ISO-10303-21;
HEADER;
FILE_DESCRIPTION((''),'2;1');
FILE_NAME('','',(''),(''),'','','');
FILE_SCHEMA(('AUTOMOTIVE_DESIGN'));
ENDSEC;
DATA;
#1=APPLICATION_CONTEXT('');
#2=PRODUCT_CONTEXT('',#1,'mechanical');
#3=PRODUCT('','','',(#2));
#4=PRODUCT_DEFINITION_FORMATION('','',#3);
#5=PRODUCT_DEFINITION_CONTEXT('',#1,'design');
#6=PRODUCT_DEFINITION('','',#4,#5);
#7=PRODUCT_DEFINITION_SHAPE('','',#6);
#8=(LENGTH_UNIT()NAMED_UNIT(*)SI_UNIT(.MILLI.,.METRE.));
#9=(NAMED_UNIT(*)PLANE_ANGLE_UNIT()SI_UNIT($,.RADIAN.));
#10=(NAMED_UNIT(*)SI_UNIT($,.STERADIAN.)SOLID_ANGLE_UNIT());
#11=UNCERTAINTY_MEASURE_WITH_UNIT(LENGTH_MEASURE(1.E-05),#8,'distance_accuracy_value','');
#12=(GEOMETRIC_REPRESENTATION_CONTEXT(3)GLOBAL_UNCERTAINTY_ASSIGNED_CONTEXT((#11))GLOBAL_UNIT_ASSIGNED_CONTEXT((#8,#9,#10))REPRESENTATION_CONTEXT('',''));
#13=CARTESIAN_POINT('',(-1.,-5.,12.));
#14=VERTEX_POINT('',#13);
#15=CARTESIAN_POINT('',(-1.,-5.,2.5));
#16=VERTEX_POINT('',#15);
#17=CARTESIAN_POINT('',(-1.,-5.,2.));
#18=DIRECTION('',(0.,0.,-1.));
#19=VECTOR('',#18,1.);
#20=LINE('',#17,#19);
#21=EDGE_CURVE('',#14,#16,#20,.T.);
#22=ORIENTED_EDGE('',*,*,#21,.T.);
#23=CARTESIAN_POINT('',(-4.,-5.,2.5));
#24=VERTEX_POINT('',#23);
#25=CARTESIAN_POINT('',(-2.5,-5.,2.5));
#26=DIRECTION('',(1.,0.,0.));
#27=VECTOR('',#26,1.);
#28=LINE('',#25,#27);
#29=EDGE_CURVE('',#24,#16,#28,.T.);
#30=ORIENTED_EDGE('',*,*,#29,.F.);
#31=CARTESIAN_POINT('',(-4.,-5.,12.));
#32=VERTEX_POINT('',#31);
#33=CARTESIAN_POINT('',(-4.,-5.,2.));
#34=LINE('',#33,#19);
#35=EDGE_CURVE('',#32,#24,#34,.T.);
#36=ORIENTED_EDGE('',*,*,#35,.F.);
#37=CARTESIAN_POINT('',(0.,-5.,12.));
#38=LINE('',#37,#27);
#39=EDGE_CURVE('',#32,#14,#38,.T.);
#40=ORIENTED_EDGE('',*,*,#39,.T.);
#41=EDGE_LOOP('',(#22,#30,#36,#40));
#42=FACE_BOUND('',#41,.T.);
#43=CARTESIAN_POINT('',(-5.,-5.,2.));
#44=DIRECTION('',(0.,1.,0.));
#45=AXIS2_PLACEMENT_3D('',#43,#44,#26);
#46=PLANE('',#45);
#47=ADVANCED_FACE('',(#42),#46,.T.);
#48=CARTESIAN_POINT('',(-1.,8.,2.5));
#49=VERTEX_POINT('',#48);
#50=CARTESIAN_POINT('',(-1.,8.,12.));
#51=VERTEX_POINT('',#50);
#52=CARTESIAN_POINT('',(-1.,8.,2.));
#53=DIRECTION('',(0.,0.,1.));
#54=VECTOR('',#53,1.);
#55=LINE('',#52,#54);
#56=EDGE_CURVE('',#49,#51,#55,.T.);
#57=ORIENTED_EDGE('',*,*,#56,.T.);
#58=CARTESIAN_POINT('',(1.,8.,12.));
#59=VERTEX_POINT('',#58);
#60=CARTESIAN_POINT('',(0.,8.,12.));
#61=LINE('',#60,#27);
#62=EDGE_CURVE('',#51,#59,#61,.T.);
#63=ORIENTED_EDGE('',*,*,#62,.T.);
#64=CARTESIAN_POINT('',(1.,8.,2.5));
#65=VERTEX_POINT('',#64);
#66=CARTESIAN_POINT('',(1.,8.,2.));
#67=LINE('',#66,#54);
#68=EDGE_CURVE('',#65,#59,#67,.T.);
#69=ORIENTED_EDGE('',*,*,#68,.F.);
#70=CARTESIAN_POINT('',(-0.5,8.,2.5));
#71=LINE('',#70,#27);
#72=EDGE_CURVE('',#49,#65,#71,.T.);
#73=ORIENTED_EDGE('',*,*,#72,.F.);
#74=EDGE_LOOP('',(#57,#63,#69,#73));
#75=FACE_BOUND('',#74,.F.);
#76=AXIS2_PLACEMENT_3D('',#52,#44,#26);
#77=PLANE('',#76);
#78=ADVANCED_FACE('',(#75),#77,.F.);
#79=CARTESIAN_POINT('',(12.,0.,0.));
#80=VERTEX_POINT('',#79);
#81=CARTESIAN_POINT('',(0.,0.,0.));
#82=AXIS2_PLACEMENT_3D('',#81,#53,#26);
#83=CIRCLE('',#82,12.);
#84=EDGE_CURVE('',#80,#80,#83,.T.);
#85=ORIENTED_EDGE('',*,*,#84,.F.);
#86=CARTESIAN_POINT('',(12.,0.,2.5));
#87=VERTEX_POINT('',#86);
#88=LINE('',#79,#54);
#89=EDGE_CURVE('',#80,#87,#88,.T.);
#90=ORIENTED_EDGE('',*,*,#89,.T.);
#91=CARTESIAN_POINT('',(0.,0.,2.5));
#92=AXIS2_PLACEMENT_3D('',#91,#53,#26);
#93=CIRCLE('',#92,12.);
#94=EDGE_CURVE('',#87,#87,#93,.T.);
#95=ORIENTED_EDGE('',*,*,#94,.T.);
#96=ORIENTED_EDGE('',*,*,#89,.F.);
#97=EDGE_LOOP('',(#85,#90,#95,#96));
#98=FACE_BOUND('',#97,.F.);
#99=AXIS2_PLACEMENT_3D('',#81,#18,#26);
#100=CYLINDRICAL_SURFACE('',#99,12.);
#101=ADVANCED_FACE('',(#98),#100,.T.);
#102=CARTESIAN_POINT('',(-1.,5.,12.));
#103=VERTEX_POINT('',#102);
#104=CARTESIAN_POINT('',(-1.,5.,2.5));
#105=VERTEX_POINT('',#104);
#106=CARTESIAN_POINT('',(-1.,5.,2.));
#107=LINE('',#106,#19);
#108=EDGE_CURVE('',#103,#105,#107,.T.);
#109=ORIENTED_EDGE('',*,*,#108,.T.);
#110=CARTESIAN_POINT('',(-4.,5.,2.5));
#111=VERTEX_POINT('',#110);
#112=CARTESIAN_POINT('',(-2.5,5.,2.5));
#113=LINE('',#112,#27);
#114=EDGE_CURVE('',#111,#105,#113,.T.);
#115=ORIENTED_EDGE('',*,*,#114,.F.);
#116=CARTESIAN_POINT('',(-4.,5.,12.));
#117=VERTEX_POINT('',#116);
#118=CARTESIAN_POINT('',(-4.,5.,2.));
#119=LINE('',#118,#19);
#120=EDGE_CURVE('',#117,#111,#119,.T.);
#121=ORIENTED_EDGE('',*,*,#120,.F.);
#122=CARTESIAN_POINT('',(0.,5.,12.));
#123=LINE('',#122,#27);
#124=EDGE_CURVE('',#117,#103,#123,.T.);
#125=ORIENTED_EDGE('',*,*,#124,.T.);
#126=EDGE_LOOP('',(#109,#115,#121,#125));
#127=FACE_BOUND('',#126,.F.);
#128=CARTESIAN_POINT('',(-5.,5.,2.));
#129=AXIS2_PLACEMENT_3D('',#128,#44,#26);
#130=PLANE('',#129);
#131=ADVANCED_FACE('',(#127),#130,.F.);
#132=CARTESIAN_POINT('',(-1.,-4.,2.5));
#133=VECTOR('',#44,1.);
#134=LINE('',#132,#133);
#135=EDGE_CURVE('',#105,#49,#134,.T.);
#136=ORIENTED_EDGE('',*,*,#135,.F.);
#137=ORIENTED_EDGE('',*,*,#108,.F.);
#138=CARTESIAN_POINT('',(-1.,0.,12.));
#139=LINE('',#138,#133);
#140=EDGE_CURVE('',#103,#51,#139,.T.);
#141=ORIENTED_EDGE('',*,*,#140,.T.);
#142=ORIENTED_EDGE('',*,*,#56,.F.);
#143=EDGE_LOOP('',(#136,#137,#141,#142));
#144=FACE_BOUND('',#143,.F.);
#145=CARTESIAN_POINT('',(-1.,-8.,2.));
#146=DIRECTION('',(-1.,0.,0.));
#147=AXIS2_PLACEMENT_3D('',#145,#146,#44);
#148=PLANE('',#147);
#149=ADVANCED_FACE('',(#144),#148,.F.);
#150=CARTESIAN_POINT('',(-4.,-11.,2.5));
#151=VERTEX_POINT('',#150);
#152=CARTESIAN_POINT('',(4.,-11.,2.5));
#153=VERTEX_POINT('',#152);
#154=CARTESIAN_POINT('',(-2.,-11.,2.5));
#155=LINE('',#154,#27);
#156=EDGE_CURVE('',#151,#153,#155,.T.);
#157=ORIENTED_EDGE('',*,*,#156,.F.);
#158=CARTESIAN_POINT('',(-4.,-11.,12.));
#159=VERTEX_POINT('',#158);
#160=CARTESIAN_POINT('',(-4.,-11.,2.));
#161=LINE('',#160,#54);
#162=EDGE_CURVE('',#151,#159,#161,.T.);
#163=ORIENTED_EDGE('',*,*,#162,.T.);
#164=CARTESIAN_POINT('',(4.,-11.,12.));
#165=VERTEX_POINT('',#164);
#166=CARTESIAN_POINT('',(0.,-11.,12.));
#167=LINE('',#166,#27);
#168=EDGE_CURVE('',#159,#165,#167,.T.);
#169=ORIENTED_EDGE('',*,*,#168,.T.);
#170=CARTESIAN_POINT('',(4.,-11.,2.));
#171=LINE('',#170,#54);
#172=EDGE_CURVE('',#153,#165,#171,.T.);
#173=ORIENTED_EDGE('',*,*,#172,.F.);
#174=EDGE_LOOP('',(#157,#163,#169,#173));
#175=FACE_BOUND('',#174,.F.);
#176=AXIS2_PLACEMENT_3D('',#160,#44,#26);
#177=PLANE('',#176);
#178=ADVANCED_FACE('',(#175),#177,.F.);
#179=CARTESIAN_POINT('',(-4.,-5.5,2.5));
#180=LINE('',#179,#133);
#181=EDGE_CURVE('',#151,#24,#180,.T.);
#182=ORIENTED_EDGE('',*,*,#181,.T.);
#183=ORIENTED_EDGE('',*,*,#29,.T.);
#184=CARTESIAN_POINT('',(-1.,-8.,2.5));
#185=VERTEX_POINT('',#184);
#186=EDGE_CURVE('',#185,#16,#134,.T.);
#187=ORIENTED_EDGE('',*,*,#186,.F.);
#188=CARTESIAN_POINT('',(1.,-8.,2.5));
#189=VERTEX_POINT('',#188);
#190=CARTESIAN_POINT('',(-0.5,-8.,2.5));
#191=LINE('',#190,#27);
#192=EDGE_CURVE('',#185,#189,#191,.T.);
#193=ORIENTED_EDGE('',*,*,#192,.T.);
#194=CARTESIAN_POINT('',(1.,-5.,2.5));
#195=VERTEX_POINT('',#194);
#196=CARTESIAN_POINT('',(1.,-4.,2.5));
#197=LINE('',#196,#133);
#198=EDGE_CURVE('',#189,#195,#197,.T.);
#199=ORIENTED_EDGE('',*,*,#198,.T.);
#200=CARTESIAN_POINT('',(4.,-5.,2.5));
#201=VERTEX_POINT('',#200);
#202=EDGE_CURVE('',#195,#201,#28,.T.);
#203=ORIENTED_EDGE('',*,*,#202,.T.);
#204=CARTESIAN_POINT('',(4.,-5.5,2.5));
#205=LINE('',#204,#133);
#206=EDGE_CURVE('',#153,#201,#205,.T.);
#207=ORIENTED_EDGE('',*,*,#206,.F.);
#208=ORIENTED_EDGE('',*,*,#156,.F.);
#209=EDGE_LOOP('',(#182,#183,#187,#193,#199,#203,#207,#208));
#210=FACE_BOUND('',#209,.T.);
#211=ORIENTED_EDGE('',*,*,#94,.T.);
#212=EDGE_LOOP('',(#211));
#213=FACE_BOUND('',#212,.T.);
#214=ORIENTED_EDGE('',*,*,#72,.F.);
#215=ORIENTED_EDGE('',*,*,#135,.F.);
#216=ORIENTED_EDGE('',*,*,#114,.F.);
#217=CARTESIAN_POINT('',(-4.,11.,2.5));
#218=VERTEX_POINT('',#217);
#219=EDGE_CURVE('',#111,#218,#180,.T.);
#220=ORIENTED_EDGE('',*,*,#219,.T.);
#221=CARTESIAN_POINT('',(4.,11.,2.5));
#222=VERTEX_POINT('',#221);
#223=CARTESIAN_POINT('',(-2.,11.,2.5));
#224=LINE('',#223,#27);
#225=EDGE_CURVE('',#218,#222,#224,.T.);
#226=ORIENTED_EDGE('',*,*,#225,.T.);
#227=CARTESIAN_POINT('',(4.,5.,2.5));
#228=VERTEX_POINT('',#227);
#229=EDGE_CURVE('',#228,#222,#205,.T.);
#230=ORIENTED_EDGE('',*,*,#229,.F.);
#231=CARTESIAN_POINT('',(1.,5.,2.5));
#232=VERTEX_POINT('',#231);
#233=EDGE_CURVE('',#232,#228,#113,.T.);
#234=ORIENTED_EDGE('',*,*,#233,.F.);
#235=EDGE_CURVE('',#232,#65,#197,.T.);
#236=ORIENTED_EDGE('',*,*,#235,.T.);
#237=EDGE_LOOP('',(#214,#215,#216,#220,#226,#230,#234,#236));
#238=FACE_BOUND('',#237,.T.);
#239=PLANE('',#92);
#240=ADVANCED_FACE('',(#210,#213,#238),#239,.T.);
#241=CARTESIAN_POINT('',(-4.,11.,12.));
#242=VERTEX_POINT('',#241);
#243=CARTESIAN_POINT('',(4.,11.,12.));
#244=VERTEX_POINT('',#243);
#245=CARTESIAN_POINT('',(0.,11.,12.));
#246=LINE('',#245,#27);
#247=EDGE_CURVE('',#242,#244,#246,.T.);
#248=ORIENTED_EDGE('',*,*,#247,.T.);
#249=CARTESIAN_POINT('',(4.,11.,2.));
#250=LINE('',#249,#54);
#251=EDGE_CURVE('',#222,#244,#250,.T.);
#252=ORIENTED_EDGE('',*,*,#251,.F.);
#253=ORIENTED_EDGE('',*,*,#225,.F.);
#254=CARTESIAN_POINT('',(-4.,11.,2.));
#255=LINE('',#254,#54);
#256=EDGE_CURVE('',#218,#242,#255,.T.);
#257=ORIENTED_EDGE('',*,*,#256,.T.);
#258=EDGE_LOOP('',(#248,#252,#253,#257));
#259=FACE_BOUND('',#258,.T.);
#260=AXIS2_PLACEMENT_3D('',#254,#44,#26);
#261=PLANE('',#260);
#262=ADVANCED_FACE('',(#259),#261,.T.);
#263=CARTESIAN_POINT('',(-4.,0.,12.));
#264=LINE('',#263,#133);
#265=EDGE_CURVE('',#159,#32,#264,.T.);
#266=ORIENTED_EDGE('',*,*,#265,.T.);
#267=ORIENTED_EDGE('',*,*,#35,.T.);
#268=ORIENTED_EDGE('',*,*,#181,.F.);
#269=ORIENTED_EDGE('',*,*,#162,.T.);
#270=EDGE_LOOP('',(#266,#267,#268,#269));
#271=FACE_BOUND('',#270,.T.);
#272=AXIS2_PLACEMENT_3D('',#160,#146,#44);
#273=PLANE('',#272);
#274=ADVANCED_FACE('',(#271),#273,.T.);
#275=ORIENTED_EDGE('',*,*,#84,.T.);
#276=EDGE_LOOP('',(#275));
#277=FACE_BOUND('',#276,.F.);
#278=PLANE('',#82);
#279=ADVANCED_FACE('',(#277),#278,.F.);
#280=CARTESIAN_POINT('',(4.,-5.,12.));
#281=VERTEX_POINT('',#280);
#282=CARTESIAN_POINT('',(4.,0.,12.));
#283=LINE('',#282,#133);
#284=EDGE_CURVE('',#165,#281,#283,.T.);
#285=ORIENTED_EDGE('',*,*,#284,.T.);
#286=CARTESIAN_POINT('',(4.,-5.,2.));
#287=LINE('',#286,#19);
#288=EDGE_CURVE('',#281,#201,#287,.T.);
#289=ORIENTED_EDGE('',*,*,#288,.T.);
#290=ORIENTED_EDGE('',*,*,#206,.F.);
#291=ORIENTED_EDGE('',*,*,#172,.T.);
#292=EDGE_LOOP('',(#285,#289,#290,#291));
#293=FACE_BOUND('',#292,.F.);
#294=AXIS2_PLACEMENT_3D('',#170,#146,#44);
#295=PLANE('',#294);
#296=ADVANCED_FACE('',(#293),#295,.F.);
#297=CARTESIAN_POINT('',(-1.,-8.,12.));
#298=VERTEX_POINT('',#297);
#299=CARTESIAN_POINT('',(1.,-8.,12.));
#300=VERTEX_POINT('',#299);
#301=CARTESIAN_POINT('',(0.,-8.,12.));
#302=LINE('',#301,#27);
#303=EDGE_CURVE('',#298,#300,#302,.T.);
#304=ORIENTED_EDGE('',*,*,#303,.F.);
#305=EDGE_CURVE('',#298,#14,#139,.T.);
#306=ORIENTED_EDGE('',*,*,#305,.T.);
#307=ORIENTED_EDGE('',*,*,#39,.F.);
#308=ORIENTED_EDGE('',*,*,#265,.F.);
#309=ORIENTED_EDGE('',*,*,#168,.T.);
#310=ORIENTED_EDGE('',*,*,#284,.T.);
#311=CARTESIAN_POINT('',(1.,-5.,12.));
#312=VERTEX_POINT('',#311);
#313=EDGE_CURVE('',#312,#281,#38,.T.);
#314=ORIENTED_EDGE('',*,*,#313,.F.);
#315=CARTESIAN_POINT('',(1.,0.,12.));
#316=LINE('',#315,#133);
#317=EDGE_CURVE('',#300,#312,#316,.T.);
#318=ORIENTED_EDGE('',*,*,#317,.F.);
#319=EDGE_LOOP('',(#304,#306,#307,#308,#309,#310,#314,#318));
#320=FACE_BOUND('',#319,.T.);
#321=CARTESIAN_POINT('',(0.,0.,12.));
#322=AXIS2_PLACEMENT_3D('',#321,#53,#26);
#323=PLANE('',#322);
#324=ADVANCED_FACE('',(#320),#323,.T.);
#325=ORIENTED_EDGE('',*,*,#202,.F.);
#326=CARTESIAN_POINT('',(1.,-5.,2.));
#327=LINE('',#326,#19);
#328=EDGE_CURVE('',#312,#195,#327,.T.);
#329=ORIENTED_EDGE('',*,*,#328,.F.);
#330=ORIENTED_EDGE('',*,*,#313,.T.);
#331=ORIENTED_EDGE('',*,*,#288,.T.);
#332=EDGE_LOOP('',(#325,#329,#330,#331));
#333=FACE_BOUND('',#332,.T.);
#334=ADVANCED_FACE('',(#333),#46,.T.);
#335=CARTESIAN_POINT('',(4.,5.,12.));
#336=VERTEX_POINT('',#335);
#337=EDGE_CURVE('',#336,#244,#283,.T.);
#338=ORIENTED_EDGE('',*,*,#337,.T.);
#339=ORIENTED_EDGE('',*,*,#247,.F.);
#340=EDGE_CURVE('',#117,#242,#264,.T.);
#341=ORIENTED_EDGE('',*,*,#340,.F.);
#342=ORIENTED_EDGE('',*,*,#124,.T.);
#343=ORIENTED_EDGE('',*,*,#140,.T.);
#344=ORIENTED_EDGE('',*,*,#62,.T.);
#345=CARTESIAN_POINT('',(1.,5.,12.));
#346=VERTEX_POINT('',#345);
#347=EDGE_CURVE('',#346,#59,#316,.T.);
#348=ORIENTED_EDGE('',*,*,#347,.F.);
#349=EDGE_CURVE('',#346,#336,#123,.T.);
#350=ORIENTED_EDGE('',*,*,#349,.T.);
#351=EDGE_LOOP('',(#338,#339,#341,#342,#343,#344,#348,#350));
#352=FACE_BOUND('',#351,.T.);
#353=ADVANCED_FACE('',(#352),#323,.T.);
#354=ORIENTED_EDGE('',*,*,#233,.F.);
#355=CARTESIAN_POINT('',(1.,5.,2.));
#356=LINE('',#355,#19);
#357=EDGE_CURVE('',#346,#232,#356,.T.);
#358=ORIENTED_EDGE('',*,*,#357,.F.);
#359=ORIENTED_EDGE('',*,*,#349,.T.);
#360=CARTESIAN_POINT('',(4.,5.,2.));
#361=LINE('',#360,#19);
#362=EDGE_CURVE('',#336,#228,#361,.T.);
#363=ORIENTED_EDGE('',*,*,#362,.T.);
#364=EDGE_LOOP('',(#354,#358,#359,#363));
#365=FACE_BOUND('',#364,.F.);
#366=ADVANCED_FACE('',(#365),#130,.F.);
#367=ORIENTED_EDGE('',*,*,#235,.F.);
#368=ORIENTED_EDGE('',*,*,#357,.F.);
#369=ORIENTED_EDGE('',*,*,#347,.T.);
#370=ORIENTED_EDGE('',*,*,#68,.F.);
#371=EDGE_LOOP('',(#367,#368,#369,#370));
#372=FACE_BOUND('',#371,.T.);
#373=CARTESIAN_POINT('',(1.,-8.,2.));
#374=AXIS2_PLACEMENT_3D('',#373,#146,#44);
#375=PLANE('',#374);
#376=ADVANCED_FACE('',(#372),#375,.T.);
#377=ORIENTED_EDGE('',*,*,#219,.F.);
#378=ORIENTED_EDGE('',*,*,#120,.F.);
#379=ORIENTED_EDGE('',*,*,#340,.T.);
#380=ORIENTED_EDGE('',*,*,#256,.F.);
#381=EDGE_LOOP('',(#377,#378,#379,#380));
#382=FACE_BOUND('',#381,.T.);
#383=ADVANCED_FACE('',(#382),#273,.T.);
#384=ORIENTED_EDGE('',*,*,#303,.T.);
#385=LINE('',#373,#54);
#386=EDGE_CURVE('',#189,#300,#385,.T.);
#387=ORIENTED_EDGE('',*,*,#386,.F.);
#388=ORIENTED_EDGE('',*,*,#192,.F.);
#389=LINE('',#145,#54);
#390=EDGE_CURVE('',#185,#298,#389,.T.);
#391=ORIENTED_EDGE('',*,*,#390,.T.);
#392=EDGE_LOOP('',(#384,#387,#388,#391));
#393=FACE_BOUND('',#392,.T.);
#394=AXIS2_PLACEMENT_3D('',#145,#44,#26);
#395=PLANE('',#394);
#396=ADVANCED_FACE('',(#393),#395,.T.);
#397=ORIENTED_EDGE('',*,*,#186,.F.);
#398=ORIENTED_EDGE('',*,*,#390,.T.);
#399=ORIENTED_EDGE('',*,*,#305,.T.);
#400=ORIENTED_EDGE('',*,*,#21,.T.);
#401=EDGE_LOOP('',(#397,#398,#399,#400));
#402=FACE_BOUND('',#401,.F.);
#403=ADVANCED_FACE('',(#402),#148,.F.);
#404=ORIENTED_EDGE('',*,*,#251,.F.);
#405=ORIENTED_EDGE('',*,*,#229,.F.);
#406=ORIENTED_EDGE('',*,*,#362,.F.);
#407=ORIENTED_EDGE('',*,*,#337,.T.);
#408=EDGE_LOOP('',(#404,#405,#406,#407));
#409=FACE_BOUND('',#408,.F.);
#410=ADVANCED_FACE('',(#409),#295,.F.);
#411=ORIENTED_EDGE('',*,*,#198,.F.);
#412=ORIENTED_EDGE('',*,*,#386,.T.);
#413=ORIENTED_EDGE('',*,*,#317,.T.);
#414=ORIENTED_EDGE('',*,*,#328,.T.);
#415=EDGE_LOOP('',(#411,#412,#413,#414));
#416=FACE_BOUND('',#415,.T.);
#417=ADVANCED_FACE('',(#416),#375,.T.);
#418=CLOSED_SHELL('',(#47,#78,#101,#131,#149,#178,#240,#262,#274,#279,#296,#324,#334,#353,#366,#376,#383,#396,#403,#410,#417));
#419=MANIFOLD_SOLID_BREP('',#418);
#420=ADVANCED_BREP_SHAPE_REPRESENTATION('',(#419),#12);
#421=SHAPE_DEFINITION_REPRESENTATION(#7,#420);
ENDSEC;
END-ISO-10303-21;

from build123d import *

# Parameters (mm, degrees)
CYLINDER_R     = 12
CYLINDER_DEPTH = 2.5
BOX002_W       = 10
BOX002_H       = 10
BOX002_DEPTH   = 10
BOX001_W       = 2
BOX001_H       = 16
BOX001_DEPTH   = 10
BOX_W          = 8
BOX_H          = 22
BOX_DEPTH      = 10


with BuildPart() as cylinder:
    # Cylinder → Cylinder (new body)
    with BuildSketch(Plane.XY):
        Circle(CYLINDER_R)
    extrude(amount=CYLINDER_DEPTH)


with BuildPart() as cube002:
    # Box002 → Box002 (new body)
    with BuildSketch(Plane(origin=(-5, -5, 2), x_dir=(1, 0, 0), z_dir=(0, 0, 1))):
        with Locations((5, 5)):
            Rectangle(BOX002_W, BOX002_H)
    extrude(amount=BOX002_DEPTH)


with BuildPart() as fusion:
    # Box001 → Box001 (new body)
    with BuildSketch(Plane(origin=(-1, -8, 2), x_dir=(1, 0, 0), z_dir=(0, 0, 1))):
        with Locations((1, 8)):
            Rectangle(BOX001_W, BOX001_H)
    extrude(amount=BOX001_DEPTH)

    # Fusion: union Cube002
    add(cube002.part)


with BuildPart() as fusion001:
    # Box → Box (new body)
    with BuildSketch(Plane(origin=(-4, -11, 2), x_dir=(1, 0, 0), z_dir=(0, 0, 1))):
        with Locations((4, 11)):
            Rectangle(BOX_W, BOX_H)
    extrude(amount=BOX_DEPTH)

    # Cut: cut Fusion
    add(fusion.part, mode=Mode.SUBTRACT)

    # Fusion001: union Cylinder
    add(cylinder.part)


solid = fusion001.part
